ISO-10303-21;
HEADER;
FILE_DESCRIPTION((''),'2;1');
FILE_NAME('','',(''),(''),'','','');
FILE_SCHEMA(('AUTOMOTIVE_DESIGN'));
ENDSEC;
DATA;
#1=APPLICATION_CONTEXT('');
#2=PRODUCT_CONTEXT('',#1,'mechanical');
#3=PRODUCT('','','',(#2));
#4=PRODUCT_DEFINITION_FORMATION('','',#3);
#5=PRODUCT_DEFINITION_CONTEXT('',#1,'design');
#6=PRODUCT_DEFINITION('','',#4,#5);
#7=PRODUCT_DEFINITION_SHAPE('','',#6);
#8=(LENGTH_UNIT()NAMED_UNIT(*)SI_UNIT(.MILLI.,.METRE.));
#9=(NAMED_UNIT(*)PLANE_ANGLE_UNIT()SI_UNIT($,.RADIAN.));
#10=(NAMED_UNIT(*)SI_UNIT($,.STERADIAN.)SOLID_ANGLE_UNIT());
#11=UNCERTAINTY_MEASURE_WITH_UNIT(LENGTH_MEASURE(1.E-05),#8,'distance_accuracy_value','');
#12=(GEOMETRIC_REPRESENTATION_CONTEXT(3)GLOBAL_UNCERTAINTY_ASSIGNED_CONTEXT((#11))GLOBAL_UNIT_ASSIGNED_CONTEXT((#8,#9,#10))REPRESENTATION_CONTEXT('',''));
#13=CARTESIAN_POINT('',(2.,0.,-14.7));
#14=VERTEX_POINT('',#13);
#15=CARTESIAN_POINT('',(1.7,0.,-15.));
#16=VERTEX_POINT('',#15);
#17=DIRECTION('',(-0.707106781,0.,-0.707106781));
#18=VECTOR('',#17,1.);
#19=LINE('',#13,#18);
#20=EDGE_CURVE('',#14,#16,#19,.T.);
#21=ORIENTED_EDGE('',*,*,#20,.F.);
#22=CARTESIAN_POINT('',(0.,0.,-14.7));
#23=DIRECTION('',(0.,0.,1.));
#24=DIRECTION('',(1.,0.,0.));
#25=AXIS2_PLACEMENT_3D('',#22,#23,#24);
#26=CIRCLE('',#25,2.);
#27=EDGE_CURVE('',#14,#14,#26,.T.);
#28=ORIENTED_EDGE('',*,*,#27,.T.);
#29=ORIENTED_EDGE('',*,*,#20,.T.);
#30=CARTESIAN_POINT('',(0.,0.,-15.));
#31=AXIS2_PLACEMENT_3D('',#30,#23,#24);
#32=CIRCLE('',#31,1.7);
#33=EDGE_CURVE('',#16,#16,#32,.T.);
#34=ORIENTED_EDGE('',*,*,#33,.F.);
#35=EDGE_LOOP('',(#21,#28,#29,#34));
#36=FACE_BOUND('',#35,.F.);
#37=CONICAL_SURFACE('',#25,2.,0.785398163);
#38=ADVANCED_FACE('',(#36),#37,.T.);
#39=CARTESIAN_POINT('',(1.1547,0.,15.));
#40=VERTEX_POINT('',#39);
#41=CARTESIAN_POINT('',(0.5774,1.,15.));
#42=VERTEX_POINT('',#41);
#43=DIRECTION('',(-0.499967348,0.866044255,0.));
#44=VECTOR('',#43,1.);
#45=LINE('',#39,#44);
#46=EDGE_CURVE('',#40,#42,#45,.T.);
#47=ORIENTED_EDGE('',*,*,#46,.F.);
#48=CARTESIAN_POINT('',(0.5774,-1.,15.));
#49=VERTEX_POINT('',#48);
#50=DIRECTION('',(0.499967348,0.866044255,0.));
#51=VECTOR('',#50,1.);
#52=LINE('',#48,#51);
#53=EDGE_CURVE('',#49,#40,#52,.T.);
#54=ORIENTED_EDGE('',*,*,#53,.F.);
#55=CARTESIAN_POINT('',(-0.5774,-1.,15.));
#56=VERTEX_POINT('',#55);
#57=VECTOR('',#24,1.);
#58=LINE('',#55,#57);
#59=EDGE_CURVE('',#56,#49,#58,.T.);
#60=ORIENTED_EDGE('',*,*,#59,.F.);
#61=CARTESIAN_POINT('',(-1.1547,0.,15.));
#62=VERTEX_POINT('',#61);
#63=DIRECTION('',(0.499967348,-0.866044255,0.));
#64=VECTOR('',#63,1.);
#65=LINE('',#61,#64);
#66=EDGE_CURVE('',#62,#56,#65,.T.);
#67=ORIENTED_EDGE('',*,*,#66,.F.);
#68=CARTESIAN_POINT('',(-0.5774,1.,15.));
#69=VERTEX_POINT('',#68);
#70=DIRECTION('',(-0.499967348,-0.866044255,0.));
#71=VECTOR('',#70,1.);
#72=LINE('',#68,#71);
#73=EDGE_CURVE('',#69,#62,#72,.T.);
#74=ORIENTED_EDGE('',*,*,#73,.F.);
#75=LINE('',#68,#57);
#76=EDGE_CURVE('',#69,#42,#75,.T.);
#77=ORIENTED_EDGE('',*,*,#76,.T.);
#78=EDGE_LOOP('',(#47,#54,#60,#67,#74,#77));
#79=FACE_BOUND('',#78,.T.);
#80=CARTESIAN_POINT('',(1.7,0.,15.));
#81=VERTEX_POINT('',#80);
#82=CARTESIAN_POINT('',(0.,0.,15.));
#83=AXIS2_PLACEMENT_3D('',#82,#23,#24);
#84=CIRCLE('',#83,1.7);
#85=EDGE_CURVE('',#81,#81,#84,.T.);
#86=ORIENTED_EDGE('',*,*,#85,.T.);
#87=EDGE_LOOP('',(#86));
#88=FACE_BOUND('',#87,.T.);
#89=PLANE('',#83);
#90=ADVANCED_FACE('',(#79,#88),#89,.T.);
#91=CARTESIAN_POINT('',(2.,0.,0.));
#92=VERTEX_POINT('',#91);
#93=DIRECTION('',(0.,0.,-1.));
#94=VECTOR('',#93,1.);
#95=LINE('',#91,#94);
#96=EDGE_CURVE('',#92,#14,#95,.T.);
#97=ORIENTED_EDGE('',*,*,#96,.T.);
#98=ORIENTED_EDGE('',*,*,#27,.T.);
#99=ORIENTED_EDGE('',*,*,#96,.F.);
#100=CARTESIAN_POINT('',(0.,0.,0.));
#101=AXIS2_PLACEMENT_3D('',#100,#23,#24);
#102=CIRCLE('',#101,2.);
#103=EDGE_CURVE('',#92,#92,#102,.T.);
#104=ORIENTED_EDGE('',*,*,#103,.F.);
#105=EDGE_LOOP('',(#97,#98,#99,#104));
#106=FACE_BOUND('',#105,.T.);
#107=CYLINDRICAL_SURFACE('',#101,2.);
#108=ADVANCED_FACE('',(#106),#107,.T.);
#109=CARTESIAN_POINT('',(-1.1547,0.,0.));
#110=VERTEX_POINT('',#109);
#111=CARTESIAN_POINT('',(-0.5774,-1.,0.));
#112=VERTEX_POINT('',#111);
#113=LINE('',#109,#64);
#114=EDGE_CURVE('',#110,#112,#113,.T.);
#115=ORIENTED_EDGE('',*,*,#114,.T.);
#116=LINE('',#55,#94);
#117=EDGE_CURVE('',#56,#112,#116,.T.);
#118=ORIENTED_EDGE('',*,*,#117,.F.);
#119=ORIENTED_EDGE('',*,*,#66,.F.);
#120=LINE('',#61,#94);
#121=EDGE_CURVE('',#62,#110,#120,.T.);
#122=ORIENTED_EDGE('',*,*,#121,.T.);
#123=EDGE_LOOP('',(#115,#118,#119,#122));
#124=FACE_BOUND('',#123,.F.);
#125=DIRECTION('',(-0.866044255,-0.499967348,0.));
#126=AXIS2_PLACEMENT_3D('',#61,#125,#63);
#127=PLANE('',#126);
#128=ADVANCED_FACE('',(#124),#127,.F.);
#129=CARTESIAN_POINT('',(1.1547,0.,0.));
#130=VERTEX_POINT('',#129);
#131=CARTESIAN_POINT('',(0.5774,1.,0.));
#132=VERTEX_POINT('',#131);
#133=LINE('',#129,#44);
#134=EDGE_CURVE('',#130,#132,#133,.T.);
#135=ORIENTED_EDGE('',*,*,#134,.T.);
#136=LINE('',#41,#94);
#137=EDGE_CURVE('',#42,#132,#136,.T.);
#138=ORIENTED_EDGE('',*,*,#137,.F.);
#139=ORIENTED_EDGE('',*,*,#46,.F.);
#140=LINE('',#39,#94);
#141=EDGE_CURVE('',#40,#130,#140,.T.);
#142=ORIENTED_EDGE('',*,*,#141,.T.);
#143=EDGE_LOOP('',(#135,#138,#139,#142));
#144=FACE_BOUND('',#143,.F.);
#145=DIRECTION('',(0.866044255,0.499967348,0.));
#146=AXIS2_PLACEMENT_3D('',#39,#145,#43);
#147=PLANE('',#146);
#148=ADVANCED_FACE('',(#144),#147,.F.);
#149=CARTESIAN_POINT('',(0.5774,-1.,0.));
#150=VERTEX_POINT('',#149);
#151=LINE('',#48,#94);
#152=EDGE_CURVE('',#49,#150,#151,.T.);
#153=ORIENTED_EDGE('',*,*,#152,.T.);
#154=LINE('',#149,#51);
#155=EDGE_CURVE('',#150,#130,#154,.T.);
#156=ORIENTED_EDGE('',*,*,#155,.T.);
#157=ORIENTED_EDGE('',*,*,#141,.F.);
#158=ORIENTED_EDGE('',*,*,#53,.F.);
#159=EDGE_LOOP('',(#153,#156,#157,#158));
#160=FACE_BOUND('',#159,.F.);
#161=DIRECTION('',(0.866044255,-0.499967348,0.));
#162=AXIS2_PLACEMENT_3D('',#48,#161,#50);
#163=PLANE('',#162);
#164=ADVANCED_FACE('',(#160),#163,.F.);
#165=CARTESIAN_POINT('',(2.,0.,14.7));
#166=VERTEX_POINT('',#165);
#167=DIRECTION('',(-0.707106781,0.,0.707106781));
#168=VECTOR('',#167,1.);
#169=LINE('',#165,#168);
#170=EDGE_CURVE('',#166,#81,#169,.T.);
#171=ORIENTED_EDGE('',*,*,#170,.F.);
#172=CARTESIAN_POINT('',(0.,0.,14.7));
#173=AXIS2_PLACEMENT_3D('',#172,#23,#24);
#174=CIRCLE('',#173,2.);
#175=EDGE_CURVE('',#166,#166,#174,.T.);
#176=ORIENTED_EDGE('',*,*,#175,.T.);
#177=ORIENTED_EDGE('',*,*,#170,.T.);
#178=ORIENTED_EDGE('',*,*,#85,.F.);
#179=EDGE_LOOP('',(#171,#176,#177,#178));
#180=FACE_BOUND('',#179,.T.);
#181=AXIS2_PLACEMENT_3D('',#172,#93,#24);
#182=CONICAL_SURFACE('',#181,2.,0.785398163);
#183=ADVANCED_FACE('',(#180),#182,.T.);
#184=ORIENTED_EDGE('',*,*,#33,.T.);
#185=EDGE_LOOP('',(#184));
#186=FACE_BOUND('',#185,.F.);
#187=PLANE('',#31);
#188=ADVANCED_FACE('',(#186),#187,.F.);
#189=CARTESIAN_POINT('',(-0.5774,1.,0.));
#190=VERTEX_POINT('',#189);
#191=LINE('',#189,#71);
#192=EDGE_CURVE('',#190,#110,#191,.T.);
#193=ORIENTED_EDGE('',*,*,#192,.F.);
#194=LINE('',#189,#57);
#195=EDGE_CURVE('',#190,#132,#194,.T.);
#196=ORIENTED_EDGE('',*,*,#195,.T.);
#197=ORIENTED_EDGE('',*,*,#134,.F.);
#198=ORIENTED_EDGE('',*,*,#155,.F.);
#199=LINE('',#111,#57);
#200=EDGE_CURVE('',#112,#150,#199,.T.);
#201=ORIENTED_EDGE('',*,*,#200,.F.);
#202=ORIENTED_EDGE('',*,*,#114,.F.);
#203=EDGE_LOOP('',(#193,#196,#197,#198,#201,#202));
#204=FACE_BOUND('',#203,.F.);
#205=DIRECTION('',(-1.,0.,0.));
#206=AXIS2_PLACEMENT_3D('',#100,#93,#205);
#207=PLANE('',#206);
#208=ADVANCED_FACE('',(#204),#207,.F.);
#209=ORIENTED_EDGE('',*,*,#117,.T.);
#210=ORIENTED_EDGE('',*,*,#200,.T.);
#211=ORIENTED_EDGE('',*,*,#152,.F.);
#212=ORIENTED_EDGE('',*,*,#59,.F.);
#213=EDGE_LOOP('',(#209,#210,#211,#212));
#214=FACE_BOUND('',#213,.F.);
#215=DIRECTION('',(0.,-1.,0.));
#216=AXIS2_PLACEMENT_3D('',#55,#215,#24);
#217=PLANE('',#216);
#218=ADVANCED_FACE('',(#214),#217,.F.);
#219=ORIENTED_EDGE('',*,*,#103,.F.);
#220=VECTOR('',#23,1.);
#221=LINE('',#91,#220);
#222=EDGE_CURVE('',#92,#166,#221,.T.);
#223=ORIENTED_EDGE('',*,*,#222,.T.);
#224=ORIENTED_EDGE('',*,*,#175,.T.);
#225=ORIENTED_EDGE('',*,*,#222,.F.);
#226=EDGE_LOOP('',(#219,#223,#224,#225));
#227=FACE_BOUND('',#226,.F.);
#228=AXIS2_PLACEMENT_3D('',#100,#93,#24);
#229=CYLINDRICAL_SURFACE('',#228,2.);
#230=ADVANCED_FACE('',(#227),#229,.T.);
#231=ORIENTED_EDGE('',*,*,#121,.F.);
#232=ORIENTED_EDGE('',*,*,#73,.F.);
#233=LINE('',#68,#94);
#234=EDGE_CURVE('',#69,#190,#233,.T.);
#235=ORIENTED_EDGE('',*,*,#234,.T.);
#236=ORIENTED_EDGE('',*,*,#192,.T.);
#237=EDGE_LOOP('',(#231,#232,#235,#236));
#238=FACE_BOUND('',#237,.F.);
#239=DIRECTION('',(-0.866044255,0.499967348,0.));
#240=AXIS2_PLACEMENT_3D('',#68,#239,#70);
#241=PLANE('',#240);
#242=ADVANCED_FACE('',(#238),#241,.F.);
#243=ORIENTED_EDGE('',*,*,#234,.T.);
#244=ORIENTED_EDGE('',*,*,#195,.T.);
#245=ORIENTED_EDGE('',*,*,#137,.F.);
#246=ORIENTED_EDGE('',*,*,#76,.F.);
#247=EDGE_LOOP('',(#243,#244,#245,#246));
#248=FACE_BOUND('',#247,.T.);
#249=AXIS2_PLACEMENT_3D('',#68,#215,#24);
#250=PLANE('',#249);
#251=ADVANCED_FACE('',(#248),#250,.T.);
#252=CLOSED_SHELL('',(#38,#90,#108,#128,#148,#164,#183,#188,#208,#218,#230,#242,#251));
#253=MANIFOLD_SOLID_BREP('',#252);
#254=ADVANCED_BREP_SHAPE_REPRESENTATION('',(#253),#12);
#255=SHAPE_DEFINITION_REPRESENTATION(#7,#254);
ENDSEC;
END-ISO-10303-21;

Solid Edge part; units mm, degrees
sketch "Sketch1" plane through (0, 0, 0) normal (0, 0, 1) x (1, 0, 0)
  circle A0 centre (0, 0) radius 2
  dimension "D1" = 4
extrude "Protrusion1" add sketch "Sketch1" along normal mid plane 30
chamfer "Chamfer1" distance 0.3 angle 45 2 edges at (-2, 0, -15) (-2, 0, 15)
sketch "Sketch2" plane through (0, 0, 15) normal (0, 0, 1) x (1, 0, 0)
  line L0 (-0.5774, 1) -> (0.5774, 1)
  line L1 (1.1547, 0) -> (0.5774, 1)
  line L2 (0.5774, -1) -> (1.1547, 0)
  line L3 (-0.5774, -1) -> (0.5774, -1)
  line L4 (-1.1547, 0) -> (-0.5774, -1)
  line L5 (-0.5774, 1) -> (-1.1547, 0)
  dimension "D1" = 2
extrude "Cutout1" cut sketch "Sketch2" against normal blind 15
properties part number "24100097"
